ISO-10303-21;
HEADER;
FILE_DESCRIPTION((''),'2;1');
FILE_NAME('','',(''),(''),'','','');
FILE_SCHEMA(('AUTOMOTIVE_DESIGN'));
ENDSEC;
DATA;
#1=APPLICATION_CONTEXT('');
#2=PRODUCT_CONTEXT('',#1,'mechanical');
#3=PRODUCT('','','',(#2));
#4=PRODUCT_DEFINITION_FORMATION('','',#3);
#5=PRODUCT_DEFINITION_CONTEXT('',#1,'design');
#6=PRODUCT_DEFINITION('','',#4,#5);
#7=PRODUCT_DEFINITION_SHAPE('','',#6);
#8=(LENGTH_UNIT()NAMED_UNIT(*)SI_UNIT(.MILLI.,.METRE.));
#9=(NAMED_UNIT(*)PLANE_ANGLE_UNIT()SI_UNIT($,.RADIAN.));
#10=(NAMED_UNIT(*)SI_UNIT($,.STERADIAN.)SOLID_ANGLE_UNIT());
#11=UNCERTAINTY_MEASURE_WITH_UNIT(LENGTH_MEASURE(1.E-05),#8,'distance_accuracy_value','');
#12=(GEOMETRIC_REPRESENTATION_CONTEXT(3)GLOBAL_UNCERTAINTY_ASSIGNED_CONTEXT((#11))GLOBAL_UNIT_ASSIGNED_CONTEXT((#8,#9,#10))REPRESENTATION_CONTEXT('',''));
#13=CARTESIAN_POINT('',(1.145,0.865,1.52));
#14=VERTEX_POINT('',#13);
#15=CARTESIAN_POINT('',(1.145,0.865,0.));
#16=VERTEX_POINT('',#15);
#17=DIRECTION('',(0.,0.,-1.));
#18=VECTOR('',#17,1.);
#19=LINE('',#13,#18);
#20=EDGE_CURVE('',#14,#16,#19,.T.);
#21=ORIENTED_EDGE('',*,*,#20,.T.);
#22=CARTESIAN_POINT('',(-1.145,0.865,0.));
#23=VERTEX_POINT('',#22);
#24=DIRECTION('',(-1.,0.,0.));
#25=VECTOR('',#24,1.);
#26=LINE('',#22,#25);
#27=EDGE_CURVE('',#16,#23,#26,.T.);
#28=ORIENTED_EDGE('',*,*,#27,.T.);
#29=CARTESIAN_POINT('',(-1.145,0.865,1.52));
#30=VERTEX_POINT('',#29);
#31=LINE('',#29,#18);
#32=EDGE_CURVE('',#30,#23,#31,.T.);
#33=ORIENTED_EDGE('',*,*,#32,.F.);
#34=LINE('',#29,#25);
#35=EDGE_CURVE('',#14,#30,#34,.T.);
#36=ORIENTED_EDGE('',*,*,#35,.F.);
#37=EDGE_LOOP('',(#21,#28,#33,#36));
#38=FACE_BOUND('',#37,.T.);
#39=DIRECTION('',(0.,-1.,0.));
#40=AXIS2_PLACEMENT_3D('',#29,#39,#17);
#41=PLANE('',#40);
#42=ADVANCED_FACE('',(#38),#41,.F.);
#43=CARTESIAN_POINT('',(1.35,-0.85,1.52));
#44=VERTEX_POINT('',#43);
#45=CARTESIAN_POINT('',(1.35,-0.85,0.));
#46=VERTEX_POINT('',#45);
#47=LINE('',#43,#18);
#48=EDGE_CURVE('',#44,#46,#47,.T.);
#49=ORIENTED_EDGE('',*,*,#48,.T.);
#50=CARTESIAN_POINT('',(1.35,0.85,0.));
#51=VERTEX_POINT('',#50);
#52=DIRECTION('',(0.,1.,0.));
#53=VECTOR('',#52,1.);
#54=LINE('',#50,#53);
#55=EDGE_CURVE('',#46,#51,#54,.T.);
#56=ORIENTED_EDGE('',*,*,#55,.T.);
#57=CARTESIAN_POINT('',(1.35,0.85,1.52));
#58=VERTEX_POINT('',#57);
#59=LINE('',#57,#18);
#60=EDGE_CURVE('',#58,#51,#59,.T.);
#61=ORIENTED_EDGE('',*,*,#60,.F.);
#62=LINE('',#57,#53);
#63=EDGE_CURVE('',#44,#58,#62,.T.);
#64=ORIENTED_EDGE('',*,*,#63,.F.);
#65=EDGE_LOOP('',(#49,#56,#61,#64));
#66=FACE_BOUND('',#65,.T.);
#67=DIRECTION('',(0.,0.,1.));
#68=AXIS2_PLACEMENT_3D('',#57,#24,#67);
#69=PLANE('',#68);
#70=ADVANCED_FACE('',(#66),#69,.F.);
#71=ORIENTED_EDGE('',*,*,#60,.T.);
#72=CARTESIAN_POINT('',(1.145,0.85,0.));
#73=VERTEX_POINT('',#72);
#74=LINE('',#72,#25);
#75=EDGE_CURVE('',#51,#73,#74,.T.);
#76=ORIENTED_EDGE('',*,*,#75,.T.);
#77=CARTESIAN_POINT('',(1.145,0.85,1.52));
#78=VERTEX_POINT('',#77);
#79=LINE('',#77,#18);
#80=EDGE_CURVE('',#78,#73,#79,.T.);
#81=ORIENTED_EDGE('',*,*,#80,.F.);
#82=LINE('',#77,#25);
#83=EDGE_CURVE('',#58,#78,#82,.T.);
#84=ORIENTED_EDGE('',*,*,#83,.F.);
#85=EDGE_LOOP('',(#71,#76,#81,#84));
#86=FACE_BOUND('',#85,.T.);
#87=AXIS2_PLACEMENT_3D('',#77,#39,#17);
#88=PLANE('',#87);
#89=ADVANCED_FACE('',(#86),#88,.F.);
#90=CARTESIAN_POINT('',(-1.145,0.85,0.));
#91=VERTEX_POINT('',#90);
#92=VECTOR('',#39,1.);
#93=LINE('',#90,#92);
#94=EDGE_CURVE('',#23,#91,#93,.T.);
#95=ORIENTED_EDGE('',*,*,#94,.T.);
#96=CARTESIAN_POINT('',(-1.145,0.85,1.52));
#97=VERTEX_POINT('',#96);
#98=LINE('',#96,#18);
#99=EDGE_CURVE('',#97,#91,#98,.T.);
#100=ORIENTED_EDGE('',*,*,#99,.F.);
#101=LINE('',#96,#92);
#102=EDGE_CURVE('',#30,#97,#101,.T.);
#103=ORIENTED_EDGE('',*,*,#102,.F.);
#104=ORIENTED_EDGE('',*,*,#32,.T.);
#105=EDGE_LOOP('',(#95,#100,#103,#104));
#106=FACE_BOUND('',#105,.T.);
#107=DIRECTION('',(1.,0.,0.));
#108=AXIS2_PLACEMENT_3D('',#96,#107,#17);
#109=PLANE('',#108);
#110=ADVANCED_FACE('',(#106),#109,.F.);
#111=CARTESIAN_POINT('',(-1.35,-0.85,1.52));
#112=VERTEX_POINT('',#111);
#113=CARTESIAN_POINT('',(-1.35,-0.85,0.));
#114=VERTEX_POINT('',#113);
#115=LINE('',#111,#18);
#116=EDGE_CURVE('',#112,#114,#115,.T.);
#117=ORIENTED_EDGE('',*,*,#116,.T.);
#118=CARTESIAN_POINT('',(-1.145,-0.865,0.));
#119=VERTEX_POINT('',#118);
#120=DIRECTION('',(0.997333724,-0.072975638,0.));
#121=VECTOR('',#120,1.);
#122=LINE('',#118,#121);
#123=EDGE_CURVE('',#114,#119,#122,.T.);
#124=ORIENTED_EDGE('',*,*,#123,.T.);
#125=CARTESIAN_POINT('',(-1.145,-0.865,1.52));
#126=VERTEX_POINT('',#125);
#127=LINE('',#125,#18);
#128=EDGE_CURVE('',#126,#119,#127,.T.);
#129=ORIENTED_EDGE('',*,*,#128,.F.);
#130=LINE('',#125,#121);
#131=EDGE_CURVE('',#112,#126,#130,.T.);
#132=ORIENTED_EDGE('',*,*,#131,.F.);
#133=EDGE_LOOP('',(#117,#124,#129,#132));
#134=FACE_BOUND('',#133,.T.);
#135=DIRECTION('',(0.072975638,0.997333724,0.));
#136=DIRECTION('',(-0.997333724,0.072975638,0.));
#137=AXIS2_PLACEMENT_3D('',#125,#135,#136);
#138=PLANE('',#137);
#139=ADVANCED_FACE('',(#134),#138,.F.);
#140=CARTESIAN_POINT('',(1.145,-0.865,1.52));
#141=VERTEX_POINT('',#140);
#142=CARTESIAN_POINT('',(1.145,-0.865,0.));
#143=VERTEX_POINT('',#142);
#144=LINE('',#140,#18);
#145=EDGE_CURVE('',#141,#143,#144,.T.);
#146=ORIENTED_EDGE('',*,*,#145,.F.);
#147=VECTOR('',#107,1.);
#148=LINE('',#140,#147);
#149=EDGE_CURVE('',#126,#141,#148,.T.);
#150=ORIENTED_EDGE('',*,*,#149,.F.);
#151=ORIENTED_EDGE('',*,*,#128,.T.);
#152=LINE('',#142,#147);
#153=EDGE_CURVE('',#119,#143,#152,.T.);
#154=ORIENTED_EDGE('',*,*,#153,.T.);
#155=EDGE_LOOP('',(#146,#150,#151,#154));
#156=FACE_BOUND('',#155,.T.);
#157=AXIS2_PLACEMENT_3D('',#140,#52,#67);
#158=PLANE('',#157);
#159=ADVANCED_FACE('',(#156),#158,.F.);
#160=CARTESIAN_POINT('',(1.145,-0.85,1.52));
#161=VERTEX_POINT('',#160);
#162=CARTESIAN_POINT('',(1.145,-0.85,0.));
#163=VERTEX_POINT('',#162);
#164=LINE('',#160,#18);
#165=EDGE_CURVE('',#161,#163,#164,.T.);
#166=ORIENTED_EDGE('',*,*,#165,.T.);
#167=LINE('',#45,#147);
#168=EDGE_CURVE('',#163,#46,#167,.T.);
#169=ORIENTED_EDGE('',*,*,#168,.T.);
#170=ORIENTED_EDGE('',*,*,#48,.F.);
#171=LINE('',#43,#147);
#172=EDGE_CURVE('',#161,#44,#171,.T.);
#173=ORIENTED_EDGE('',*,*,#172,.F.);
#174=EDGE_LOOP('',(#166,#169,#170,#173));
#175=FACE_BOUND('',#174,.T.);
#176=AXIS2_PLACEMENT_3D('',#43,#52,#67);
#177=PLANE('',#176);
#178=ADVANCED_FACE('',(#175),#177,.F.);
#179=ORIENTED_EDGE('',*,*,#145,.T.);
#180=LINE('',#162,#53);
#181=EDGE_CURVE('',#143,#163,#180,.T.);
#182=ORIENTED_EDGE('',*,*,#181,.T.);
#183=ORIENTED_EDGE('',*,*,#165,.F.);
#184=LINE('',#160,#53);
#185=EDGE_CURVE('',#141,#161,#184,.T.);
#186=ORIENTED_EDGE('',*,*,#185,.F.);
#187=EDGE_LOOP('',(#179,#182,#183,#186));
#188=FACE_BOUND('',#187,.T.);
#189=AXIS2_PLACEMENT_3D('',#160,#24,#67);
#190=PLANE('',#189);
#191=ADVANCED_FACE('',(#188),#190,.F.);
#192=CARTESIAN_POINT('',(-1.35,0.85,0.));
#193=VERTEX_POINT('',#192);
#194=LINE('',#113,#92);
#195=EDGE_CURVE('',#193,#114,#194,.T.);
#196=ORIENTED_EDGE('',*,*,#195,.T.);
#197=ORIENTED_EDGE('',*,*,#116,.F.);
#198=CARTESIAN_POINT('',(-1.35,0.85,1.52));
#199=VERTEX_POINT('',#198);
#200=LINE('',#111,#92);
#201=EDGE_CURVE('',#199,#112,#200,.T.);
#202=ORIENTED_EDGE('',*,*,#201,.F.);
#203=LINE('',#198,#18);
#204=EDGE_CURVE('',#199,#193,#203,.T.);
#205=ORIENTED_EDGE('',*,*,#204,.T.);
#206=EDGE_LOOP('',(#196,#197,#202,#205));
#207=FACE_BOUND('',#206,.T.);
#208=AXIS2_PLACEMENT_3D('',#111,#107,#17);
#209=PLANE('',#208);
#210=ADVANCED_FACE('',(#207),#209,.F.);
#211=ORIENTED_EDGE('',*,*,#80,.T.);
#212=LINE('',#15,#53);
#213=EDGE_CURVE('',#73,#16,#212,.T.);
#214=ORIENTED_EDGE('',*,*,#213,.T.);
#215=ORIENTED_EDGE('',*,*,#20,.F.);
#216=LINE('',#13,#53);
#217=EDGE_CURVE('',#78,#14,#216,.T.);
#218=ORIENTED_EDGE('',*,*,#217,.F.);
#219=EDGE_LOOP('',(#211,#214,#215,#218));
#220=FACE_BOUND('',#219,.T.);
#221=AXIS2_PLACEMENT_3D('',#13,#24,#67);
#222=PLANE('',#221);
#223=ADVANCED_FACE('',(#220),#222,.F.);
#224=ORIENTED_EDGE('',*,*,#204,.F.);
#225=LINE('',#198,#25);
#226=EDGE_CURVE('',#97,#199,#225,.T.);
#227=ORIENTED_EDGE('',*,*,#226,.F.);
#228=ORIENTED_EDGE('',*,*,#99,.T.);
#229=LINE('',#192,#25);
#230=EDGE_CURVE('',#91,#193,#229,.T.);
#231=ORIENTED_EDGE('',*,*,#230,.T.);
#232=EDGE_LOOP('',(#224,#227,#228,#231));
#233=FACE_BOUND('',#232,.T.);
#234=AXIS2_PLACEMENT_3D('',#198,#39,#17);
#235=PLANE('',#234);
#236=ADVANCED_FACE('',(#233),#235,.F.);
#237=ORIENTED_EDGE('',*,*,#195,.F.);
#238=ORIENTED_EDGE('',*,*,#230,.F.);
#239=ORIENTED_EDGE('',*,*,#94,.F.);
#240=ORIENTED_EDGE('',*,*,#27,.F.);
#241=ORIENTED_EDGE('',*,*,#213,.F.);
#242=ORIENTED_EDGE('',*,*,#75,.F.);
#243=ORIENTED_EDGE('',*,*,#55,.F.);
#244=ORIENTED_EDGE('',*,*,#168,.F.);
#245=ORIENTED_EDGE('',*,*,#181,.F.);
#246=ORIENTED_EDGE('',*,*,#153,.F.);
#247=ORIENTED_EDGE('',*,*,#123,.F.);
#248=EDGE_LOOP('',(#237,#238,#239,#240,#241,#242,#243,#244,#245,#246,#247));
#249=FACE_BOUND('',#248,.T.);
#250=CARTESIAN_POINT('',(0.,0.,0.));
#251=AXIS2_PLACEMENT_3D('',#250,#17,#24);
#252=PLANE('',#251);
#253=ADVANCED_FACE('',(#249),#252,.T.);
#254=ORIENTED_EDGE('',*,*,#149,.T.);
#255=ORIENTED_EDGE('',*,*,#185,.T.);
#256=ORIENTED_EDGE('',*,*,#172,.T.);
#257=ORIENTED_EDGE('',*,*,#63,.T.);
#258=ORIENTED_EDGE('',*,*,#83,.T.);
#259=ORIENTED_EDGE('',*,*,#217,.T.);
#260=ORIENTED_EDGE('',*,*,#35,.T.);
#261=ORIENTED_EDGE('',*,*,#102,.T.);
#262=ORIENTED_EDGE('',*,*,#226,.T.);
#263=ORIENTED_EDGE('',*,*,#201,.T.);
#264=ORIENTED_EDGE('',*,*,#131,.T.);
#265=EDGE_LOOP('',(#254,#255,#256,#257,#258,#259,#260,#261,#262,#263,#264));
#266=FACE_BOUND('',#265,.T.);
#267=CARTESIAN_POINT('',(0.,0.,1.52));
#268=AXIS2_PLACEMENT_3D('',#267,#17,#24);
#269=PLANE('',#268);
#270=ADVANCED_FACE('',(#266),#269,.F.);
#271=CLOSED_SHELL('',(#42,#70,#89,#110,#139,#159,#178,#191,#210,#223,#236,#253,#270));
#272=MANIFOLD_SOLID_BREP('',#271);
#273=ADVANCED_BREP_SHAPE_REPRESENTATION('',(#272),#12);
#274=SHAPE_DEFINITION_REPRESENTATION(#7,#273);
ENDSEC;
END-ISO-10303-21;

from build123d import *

# Parameters (mm, degrees)
COMPONENT_OUTLINE_DEPTH = 1.52


with BuildPart() as part:
    # 草图1 → Component_Outline (new body)
    with BuildSketch(Plane.XY):
        Polygon((-1.35, 0.85), (-1.145, 0.85), (-1.145, 0.865), (1.145, 0.865), (1.145, 0.85), (1.35, 0.85), (1.35, -0.85), (1.145, -0.85), (1.145, -0.865), (-1.145, -0.865), (-1.35, -0.85), align=None)
    extrude(amount=COMPONENT_OUTLINE_DEPTH)


solid = part.part
